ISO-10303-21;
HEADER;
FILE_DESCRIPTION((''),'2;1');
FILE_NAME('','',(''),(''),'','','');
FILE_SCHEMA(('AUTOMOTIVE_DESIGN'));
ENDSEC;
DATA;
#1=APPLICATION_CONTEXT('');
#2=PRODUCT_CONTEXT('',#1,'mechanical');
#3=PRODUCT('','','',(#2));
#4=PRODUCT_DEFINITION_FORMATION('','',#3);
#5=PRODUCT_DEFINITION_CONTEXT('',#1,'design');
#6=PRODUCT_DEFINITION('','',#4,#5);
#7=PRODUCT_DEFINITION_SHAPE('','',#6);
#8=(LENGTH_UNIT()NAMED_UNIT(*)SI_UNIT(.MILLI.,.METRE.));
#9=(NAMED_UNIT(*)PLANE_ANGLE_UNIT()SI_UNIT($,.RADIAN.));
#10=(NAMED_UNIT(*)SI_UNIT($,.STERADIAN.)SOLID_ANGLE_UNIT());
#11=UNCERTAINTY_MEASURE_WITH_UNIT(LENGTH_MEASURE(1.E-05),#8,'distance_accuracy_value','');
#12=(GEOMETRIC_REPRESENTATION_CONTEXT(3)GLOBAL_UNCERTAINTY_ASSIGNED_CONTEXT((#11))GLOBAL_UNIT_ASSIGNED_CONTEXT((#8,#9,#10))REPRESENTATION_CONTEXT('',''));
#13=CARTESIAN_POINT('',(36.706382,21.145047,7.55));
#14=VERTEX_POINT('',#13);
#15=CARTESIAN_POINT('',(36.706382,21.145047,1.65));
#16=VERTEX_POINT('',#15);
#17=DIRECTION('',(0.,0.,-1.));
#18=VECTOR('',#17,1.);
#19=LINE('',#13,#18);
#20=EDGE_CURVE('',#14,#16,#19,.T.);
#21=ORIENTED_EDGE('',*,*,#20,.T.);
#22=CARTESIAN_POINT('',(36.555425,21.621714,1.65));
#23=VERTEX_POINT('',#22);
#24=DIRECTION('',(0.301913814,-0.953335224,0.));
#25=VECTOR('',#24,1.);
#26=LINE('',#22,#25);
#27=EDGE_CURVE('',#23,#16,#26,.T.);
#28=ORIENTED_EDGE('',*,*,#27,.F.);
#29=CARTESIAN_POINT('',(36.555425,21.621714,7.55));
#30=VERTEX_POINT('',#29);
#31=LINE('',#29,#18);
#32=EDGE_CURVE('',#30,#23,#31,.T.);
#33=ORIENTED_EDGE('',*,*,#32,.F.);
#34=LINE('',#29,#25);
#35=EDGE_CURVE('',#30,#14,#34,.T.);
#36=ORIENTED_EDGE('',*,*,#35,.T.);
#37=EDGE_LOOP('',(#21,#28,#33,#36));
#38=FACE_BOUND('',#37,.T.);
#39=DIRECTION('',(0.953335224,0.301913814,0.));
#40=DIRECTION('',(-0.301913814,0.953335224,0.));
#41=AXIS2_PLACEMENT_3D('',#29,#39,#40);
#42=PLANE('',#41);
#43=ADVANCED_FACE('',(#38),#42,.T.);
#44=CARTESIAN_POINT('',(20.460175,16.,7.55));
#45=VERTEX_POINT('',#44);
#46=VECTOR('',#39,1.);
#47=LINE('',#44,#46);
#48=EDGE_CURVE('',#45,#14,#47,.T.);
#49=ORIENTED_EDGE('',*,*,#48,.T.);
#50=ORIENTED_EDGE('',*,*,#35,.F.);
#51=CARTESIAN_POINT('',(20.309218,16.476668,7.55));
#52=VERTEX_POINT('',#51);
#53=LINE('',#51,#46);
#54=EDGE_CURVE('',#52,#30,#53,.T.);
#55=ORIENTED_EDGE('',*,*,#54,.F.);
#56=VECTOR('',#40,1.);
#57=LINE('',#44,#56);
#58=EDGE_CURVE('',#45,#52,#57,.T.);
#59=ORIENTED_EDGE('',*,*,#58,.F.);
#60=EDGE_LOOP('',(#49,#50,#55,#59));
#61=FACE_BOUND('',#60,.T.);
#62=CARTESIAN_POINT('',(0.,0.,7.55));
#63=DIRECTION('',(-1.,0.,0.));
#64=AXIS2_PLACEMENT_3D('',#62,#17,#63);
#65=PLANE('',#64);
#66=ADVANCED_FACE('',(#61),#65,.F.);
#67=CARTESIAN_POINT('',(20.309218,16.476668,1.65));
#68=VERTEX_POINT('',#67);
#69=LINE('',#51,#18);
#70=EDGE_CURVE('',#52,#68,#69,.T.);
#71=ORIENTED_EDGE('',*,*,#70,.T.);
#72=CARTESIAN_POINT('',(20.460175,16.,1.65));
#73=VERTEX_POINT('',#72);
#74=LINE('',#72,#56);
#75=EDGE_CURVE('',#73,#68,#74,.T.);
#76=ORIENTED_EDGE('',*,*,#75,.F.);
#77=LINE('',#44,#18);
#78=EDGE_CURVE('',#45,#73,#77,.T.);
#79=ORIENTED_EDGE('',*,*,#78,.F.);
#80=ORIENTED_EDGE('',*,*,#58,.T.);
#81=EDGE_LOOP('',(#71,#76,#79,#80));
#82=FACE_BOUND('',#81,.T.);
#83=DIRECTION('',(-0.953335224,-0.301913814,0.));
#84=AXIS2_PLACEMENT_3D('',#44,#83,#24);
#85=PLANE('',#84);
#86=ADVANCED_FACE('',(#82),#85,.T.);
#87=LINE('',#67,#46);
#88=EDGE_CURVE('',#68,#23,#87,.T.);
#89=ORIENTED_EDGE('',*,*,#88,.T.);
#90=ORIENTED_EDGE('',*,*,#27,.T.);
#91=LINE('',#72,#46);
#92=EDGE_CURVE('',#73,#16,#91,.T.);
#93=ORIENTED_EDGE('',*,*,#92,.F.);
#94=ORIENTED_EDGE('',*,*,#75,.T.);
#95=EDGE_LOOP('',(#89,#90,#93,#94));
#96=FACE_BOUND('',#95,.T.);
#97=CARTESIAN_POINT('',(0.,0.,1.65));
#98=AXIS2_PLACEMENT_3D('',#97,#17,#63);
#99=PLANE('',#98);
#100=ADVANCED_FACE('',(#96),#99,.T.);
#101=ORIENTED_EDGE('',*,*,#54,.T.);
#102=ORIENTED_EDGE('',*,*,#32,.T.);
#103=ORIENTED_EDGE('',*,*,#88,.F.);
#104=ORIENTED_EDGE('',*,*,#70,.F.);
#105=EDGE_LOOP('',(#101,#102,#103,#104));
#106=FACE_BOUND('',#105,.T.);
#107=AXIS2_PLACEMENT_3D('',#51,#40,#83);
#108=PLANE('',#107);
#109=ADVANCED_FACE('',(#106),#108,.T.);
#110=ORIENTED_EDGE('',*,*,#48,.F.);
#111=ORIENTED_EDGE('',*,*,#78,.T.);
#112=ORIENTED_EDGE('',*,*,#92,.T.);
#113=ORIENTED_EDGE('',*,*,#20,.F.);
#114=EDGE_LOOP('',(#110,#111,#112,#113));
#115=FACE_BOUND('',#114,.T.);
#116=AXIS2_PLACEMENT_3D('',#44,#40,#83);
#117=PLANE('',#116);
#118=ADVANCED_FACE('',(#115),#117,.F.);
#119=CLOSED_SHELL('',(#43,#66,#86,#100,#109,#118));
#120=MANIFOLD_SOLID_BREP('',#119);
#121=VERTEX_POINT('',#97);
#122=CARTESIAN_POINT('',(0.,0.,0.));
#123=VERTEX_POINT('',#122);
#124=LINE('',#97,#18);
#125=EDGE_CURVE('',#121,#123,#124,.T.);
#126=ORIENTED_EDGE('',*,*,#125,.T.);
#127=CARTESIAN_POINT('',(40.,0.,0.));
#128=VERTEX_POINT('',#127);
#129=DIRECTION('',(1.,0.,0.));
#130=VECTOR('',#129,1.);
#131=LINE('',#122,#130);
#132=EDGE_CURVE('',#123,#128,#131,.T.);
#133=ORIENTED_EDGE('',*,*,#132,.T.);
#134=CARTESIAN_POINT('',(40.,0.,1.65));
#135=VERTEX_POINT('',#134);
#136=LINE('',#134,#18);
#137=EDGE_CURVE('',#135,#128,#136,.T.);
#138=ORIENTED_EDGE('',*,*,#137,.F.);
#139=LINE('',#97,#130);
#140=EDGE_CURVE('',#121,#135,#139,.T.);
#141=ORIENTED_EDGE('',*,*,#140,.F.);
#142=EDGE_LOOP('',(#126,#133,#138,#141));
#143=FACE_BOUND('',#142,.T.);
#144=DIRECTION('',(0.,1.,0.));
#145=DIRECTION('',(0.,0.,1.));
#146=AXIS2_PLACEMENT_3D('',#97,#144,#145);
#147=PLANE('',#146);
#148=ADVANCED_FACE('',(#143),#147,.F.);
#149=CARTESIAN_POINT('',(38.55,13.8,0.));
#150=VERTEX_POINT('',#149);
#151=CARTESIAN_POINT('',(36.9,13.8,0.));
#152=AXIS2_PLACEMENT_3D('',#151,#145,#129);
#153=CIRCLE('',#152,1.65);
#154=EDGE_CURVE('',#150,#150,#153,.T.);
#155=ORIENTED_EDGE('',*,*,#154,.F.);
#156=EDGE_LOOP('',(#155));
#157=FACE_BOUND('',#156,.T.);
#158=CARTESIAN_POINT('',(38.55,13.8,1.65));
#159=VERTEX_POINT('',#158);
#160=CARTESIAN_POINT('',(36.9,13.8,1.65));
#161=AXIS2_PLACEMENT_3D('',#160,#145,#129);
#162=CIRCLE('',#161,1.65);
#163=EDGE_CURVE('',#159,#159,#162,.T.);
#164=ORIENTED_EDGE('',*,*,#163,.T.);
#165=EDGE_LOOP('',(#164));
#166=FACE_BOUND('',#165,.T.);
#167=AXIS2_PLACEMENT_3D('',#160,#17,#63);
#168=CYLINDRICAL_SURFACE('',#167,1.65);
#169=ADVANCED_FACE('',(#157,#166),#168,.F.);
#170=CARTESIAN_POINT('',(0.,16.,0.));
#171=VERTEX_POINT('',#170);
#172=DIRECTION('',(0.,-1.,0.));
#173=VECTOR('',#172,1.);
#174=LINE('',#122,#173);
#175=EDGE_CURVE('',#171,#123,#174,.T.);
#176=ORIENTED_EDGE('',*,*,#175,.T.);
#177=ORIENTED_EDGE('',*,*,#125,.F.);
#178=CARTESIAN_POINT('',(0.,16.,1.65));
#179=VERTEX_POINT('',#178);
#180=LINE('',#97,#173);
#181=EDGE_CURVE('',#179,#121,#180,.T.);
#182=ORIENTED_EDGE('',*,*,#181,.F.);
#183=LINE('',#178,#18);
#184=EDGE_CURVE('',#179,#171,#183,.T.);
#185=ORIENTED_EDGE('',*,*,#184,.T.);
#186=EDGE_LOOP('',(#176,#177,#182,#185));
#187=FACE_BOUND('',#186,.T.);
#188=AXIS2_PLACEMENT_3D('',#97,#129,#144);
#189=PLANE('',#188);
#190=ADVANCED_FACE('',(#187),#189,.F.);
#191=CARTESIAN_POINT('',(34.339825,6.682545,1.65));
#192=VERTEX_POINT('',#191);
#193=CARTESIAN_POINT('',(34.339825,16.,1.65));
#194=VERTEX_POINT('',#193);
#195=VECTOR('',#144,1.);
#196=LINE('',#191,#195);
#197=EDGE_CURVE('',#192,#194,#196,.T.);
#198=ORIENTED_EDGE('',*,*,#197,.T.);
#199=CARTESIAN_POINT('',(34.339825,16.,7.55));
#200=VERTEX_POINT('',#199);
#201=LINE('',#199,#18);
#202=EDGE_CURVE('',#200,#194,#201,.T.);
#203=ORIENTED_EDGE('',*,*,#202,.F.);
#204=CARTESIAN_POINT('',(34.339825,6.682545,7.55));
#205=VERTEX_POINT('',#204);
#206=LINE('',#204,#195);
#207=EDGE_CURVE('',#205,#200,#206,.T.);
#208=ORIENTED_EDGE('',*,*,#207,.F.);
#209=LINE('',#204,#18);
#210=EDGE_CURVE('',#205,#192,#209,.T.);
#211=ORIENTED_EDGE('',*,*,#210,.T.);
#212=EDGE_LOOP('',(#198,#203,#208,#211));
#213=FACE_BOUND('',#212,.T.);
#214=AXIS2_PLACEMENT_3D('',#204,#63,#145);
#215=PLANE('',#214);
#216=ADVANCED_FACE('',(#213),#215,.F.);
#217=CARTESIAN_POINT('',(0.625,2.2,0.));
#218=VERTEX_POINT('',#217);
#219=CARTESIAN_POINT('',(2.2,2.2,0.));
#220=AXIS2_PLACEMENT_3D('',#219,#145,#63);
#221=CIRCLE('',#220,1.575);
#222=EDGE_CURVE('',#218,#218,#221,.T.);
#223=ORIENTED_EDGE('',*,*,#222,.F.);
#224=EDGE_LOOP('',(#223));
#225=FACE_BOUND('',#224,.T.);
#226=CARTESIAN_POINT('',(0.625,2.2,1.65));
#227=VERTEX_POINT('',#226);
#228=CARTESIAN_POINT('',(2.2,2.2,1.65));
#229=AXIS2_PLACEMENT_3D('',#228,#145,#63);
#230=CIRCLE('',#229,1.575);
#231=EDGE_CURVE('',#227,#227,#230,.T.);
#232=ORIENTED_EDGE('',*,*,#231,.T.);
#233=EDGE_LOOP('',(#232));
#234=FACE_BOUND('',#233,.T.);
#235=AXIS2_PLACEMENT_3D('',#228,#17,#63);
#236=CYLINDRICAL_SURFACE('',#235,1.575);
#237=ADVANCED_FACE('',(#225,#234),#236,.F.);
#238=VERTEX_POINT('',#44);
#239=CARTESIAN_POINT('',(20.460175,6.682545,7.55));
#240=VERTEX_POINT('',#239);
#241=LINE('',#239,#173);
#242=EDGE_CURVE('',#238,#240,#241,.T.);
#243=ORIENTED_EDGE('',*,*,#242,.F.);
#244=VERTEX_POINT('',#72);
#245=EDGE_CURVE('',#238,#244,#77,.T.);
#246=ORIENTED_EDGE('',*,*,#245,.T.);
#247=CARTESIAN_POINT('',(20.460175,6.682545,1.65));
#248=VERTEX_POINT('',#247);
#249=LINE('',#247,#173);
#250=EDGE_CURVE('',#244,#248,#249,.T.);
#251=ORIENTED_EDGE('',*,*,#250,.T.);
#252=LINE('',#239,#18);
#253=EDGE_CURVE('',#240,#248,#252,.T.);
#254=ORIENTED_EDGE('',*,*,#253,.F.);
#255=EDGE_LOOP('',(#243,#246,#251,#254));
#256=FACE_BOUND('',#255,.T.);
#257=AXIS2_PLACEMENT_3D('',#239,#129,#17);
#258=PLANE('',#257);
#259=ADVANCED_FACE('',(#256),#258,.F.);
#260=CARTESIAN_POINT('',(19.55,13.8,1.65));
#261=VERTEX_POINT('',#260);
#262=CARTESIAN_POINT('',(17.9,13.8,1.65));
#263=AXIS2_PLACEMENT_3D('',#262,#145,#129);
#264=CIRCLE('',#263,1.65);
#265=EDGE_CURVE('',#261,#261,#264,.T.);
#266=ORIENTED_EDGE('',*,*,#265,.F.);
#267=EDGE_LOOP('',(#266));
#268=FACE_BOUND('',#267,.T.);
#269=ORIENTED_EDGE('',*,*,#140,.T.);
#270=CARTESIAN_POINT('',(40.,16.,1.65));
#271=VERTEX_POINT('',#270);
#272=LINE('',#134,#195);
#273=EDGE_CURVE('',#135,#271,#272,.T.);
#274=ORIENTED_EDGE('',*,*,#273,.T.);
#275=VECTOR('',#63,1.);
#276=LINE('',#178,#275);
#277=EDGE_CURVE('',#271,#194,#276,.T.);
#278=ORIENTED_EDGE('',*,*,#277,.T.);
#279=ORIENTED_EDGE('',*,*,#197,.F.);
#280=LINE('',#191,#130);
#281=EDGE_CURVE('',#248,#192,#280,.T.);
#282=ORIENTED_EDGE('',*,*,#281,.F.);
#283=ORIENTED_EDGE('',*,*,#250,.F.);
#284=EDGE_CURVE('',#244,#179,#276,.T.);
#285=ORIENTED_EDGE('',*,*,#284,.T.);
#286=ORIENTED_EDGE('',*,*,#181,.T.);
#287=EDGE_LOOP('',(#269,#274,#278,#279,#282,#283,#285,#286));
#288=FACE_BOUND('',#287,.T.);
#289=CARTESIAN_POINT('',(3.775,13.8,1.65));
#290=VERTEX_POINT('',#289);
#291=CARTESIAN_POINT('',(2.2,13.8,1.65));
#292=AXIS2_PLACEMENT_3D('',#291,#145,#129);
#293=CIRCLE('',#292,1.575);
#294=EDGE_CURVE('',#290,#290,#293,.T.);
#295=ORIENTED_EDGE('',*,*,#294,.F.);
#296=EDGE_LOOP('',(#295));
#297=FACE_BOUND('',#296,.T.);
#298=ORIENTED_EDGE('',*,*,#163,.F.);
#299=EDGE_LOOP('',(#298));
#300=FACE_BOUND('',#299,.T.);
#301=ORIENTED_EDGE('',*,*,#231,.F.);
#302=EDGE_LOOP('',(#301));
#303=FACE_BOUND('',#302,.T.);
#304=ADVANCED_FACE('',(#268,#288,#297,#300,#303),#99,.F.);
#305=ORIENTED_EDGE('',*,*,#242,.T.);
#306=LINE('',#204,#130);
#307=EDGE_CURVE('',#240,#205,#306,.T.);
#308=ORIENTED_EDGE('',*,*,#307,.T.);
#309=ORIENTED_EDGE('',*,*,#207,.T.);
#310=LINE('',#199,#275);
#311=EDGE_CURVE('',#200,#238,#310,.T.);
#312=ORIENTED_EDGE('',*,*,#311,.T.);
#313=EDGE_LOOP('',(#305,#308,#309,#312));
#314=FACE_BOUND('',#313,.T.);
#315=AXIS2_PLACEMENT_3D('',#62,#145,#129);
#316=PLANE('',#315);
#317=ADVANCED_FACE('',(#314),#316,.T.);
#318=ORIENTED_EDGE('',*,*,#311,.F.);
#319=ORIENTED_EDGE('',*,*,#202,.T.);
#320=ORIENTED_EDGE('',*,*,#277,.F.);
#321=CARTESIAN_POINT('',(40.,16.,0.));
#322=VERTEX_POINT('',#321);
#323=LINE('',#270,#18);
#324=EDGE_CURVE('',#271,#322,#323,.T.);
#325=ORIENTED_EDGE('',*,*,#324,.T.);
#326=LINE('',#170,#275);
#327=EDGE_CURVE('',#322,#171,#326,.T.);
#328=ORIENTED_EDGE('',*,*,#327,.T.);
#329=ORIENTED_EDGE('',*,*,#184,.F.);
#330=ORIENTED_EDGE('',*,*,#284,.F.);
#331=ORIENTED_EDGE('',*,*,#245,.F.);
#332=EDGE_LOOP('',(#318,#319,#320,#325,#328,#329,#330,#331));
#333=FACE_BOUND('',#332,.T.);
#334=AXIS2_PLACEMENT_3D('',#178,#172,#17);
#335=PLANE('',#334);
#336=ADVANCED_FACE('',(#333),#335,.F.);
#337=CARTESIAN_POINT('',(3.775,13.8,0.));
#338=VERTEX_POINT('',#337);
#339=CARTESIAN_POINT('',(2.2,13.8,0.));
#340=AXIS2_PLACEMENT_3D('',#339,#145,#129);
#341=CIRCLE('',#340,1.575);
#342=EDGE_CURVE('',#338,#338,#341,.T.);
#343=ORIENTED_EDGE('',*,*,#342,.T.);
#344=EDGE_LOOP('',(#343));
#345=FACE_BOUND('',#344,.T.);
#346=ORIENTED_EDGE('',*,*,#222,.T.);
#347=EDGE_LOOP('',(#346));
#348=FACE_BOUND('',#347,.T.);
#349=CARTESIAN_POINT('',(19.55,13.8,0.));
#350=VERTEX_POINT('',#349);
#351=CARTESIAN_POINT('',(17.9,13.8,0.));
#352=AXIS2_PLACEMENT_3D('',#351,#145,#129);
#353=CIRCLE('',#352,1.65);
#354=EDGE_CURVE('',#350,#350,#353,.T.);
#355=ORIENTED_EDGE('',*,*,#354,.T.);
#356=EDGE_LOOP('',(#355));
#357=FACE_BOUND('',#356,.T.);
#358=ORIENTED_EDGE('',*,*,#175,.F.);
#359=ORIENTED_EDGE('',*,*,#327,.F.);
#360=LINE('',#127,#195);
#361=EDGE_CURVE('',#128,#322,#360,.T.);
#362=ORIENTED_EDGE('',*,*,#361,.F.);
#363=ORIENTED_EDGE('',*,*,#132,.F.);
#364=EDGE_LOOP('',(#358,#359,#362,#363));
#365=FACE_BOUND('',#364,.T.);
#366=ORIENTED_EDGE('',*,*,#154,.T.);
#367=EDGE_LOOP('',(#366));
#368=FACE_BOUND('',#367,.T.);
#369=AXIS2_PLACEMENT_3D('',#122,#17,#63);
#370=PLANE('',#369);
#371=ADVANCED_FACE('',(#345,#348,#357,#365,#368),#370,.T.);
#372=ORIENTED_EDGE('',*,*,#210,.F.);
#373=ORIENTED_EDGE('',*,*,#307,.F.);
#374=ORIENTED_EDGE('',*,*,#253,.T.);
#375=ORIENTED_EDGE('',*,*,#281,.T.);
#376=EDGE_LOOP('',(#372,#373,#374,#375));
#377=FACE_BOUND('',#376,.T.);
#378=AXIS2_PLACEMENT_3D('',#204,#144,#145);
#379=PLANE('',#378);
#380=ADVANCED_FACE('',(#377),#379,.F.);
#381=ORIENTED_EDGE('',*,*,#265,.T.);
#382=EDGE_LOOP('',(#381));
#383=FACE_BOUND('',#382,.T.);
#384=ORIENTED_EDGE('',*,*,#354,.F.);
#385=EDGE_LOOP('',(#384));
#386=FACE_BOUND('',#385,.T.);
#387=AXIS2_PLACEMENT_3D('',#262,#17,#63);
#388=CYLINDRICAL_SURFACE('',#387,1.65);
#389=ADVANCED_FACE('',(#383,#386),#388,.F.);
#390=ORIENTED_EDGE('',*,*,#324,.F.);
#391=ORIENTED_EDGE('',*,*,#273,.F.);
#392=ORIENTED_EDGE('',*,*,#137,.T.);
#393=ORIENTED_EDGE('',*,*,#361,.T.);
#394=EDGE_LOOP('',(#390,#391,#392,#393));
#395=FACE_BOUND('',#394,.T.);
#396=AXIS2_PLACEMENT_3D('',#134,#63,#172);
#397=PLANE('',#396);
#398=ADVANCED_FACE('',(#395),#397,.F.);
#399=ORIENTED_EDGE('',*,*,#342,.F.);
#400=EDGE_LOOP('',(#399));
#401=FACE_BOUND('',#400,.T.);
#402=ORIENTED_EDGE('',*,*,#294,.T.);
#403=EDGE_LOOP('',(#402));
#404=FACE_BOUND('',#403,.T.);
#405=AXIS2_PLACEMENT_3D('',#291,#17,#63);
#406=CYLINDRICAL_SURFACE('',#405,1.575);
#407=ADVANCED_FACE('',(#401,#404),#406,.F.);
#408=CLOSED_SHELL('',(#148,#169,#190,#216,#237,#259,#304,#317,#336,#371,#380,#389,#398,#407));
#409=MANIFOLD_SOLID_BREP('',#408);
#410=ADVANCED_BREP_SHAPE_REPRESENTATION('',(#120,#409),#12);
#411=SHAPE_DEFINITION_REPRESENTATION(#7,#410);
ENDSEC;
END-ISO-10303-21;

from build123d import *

# Parameters (mm, degrees)
SCHIZZO1_W                   = 40
SCHIZZO1_H                   = 16
SCHIZZO1_R                   = 1.65
SCHIZZO1_R_2                 = 1.575
ESTRUSIONE_ESTRUSIONE1_DEPTH = 1.65
SCHIZZO2_W                   = 13.879649546
SCHIZZO2_H                   = 9.317455402
ESTRUSIONE_ESTRUSIONE2_DEPTH = 5.9
ESTRUSIONE_SOTTILE1_DEPTH    = 5.9


with BuildPart() as part:
    # Schizzo1 → Estrusione-Estrusione1 (new body)
    with BuildSketch(Plane.XY):
        with Locations((20, 8)):
            Rectangle(SCHIZZO1_W, SCHIZZO1_H)
        with Locations((36.9, 13.8)):
            Circle(SCHIZZO1_R, mode=Mode.SUBTRACT)
        with Locations((17.9, 13.8)):
            Circle(SCHIZZO1_R, mode=Mode.SUBTRACT)
        with Locations((2.2, 13.8)):
            Circle(SCHIZZO1_R_2, mode=Mode.SUBTRACT)
        with Locations(Location((2.2, 2.2, 0), (0, 0, 180))):
            Circle(SCHIZZO1_R_2, mode=Mode.SUBTRACT)
    extrude(amount=ESTRUSIONE_ESTRUSIONE1_DEPTH)

    # Schizzo2 → Estrusione-Estrusione2 (add)
    with BuildSketch(Plane.XY.offset(1.65)):
        with Locations((27.4, 11.341272299)):
            Rectangle(SCHIZZO2_W, SCHIZZO2_H)
    extrude(amount=ESTRUSIONE_ESTRUSIONE2_DEPTH)


with BuildPart() as body_2:
    # Schizzo3 → Estrusione-Sottile1 (new body)
    with BuildSketch(Plane.XY.offset(1.65)):
        Polygon((20.460175227, 16), (36.706382379, 21.145046824), (36.555425472, 21.621714436), (20.30921832, 16.476667612), align=None)
    extrude(amount=ESTRUSIONE_SOTTILE1_DEPTH)


solid = Compound([part.part, body_2.part])
